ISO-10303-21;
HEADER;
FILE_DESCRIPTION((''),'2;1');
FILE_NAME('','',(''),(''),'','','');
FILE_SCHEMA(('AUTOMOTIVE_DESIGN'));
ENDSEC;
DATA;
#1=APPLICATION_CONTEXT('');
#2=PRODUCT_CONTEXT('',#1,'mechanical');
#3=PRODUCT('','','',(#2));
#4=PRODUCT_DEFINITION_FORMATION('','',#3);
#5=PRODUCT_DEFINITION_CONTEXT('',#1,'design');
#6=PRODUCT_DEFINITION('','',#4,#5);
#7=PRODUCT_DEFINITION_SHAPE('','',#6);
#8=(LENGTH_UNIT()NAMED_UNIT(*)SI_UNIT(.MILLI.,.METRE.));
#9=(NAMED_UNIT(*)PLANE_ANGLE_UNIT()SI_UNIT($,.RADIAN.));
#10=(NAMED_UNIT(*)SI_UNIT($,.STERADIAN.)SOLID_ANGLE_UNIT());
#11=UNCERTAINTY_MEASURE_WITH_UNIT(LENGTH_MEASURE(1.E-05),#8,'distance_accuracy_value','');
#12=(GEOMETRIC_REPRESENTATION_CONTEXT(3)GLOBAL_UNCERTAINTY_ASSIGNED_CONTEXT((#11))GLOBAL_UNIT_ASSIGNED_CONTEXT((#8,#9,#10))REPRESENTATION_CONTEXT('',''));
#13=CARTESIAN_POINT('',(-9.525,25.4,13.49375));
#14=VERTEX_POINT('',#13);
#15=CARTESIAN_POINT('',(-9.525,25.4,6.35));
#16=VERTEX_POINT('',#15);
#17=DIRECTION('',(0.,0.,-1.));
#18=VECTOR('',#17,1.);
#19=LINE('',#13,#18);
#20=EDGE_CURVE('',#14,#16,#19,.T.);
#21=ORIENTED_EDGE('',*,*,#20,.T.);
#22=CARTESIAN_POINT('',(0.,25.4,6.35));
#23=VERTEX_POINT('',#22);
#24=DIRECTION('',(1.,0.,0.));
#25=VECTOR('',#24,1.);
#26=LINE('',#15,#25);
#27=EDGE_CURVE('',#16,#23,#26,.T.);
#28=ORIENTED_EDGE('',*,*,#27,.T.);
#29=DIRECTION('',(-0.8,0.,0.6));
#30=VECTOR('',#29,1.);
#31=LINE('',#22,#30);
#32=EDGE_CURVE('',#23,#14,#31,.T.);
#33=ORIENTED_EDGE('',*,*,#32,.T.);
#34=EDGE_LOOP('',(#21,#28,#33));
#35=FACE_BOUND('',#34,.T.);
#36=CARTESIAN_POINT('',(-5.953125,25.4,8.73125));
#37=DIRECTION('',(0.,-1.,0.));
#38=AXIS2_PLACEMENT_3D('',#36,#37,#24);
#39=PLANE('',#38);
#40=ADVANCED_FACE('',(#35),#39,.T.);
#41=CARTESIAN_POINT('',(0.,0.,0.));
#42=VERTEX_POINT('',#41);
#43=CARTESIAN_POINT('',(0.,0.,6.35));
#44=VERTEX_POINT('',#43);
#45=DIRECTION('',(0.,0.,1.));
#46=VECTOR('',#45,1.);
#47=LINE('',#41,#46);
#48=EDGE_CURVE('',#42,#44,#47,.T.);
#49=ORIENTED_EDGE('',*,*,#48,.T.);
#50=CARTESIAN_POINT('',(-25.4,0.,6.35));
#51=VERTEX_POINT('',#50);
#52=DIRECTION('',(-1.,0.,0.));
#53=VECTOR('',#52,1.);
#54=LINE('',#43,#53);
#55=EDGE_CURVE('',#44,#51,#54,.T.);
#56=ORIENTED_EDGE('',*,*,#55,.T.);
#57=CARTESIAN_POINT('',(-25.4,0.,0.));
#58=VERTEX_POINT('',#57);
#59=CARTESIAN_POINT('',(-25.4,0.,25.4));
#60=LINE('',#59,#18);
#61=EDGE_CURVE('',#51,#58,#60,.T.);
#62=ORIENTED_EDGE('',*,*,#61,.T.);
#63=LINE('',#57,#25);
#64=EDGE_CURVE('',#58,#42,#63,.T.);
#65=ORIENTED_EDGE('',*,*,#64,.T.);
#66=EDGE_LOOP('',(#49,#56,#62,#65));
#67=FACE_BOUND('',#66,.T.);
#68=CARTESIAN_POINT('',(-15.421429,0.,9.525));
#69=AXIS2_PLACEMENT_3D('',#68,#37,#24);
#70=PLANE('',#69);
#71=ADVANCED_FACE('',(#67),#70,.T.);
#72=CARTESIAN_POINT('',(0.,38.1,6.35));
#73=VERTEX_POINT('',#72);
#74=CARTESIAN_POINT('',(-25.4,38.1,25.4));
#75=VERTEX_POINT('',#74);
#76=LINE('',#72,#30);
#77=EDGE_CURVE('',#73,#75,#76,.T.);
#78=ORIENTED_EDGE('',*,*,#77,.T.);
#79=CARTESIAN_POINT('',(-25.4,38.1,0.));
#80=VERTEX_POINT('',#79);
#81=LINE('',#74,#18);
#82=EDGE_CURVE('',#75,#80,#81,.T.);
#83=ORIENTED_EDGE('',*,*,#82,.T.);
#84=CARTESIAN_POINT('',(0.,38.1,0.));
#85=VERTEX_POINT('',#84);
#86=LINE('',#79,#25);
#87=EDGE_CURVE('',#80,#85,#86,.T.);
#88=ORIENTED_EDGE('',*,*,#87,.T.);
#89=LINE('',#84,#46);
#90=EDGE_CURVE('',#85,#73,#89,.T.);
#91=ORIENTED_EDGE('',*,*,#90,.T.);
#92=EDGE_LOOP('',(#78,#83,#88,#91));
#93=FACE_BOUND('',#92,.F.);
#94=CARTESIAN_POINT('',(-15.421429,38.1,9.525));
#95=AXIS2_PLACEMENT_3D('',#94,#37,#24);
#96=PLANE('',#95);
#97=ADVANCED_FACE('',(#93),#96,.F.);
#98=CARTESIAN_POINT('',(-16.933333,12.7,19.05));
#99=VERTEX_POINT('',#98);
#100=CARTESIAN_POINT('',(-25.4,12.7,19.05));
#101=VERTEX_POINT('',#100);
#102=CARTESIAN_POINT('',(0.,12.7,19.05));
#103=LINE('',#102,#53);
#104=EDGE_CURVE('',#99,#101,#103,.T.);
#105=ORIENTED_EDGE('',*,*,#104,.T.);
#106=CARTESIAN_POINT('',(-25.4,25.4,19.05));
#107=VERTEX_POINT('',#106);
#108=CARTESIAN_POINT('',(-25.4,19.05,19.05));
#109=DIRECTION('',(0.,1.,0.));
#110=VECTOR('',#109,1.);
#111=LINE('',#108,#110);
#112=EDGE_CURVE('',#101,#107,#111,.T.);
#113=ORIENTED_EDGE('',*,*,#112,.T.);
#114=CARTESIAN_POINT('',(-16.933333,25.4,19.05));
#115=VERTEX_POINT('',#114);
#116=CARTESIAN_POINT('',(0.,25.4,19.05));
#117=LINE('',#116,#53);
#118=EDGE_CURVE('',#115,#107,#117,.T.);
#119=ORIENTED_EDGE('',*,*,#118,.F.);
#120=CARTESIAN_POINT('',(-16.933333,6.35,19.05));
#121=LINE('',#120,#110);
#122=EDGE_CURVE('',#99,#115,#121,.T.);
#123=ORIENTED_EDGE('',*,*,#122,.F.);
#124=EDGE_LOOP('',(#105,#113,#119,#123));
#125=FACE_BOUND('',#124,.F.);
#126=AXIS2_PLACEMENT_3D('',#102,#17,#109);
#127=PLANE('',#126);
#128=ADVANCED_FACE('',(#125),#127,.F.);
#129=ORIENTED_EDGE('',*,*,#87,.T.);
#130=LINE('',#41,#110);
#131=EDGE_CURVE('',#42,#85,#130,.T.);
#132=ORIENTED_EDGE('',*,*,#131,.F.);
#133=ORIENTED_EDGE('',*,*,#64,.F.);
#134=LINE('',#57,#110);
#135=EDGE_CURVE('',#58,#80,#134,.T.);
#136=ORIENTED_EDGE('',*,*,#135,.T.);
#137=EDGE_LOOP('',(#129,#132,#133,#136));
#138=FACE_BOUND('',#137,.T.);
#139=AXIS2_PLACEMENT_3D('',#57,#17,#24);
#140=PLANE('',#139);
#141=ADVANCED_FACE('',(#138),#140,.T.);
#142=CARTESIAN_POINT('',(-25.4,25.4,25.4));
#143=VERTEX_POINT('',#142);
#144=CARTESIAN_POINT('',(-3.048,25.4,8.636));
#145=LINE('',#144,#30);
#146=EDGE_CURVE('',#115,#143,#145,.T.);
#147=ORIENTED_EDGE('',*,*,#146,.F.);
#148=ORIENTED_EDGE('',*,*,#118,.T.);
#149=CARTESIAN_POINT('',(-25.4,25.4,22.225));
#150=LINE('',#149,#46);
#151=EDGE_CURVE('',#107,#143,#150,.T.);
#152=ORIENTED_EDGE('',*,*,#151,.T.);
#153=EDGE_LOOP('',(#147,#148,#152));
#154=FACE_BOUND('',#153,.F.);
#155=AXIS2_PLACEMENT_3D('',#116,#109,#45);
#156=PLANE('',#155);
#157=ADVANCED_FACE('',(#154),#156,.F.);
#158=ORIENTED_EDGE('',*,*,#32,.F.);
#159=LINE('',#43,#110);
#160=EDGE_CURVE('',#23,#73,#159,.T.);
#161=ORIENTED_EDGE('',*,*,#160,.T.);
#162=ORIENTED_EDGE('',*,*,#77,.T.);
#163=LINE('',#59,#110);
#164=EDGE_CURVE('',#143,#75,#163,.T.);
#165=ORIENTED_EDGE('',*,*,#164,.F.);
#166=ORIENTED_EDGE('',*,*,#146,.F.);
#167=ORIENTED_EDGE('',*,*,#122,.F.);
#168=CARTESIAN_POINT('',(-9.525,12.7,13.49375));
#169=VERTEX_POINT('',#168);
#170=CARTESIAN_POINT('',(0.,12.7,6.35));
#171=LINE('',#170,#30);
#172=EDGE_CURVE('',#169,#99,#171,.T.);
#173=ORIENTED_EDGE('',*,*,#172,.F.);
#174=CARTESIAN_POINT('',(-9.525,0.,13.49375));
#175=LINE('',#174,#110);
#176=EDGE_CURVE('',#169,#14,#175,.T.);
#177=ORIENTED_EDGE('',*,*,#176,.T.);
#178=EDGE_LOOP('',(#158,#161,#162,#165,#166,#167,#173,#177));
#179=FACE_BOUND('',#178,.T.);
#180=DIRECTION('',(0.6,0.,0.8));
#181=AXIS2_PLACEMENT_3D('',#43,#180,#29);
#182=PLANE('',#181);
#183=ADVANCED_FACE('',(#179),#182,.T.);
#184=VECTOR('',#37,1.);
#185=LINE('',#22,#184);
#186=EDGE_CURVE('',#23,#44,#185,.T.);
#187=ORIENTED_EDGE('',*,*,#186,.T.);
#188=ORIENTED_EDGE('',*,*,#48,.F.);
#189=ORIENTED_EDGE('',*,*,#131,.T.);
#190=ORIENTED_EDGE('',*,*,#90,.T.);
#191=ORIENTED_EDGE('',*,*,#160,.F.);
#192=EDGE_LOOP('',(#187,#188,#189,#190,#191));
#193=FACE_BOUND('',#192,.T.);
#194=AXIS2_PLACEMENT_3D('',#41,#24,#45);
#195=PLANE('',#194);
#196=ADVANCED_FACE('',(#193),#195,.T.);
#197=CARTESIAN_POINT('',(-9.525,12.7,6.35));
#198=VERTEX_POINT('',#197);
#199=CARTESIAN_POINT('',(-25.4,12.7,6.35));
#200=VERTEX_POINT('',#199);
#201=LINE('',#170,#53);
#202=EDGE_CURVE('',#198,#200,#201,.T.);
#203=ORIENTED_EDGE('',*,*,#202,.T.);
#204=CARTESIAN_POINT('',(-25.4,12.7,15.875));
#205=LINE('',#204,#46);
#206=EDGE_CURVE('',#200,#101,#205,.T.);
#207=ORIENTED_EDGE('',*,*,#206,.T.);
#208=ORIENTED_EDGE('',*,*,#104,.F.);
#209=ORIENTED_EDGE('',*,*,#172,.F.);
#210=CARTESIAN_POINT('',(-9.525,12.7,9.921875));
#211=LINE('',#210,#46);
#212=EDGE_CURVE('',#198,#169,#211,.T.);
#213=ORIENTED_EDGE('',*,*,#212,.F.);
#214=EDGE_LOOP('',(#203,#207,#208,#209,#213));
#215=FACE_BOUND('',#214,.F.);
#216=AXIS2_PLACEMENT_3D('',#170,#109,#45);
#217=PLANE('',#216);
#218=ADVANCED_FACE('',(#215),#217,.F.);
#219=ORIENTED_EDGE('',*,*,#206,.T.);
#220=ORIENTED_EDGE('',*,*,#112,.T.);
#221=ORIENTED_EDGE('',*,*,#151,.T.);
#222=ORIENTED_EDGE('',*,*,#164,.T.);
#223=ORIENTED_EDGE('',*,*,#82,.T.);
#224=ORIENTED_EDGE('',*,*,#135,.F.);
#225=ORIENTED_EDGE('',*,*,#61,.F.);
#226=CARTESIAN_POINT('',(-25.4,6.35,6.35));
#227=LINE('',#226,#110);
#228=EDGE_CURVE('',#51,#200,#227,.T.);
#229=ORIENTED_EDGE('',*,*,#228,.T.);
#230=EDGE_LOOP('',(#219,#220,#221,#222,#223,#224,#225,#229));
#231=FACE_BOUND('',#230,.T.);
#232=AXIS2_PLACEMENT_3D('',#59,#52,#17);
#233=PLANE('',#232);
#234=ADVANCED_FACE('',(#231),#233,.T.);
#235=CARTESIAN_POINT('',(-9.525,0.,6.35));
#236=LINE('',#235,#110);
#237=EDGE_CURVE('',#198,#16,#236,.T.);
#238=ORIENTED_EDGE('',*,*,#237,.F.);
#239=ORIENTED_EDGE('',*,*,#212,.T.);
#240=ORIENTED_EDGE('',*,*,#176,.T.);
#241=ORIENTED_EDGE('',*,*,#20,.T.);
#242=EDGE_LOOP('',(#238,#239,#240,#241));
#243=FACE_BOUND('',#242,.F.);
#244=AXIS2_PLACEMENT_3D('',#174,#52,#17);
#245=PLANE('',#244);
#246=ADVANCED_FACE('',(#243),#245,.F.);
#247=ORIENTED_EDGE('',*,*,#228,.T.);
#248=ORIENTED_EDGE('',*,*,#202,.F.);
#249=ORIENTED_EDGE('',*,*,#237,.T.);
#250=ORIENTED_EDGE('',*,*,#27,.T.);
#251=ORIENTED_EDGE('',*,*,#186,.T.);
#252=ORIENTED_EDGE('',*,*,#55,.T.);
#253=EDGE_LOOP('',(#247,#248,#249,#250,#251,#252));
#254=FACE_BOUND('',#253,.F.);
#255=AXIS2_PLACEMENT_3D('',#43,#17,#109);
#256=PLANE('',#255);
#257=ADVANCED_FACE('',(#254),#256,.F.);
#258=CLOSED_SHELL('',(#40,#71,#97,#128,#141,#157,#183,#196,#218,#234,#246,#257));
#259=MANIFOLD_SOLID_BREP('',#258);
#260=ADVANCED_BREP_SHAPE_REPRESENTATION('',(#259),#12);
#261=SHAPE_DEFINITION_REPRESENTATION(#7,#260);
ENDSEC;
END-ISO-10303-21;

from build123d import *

# Parameters (mm, degrees)
F1_DEPTH = 38.1
F2_W     = 12.7
F2_H     = 19.05
F3_DEPTH = 25.4
F4_W     = 12.7
F4_H     = 6.35
F5_DEPTH = 25.4
F7_DEPTH = 25.4


with BuildPart() as f1:
    # F0 (on Front) → F1 (new body)
    with BuildSketch(Plane.XZ):
        Polygon((-25.4, 0), (0, 0), (0, 6.35), (-25.4, 25.4), align=None)
    extrude(amount=-F1_DEPTH)

    # F2 (on Right) → F3 (cut)
    with BuildSketch(Plane.YZ):
        with Locations((6.35, 15.875)):
            Rectangle(F2_W, F2_H)
    extrude(amount=-F3_DEPTH, mode=Mode.SUBTRACT)

    # F4 (on Right) → F5 (cut)
    with BuildSketch(Plane.YZ):
        with Locations((19.05, 22.225)):
            Rectangle(F4_W, F4_H)
    extrude(amount=-F5_DEPTH, mode=Mode.SUBTRACT)

    # F6 (on Front) → F7 (cut)
    with BuildSketch(Plane.XZ):
        Polygon((0, 6.35), (-9.525, 13.49375), (-9.525, 6.35), align=None)
    extrude(amount=-F7_DEPTH, mode=Mode.SUBTRACT)


solid = f1.part
